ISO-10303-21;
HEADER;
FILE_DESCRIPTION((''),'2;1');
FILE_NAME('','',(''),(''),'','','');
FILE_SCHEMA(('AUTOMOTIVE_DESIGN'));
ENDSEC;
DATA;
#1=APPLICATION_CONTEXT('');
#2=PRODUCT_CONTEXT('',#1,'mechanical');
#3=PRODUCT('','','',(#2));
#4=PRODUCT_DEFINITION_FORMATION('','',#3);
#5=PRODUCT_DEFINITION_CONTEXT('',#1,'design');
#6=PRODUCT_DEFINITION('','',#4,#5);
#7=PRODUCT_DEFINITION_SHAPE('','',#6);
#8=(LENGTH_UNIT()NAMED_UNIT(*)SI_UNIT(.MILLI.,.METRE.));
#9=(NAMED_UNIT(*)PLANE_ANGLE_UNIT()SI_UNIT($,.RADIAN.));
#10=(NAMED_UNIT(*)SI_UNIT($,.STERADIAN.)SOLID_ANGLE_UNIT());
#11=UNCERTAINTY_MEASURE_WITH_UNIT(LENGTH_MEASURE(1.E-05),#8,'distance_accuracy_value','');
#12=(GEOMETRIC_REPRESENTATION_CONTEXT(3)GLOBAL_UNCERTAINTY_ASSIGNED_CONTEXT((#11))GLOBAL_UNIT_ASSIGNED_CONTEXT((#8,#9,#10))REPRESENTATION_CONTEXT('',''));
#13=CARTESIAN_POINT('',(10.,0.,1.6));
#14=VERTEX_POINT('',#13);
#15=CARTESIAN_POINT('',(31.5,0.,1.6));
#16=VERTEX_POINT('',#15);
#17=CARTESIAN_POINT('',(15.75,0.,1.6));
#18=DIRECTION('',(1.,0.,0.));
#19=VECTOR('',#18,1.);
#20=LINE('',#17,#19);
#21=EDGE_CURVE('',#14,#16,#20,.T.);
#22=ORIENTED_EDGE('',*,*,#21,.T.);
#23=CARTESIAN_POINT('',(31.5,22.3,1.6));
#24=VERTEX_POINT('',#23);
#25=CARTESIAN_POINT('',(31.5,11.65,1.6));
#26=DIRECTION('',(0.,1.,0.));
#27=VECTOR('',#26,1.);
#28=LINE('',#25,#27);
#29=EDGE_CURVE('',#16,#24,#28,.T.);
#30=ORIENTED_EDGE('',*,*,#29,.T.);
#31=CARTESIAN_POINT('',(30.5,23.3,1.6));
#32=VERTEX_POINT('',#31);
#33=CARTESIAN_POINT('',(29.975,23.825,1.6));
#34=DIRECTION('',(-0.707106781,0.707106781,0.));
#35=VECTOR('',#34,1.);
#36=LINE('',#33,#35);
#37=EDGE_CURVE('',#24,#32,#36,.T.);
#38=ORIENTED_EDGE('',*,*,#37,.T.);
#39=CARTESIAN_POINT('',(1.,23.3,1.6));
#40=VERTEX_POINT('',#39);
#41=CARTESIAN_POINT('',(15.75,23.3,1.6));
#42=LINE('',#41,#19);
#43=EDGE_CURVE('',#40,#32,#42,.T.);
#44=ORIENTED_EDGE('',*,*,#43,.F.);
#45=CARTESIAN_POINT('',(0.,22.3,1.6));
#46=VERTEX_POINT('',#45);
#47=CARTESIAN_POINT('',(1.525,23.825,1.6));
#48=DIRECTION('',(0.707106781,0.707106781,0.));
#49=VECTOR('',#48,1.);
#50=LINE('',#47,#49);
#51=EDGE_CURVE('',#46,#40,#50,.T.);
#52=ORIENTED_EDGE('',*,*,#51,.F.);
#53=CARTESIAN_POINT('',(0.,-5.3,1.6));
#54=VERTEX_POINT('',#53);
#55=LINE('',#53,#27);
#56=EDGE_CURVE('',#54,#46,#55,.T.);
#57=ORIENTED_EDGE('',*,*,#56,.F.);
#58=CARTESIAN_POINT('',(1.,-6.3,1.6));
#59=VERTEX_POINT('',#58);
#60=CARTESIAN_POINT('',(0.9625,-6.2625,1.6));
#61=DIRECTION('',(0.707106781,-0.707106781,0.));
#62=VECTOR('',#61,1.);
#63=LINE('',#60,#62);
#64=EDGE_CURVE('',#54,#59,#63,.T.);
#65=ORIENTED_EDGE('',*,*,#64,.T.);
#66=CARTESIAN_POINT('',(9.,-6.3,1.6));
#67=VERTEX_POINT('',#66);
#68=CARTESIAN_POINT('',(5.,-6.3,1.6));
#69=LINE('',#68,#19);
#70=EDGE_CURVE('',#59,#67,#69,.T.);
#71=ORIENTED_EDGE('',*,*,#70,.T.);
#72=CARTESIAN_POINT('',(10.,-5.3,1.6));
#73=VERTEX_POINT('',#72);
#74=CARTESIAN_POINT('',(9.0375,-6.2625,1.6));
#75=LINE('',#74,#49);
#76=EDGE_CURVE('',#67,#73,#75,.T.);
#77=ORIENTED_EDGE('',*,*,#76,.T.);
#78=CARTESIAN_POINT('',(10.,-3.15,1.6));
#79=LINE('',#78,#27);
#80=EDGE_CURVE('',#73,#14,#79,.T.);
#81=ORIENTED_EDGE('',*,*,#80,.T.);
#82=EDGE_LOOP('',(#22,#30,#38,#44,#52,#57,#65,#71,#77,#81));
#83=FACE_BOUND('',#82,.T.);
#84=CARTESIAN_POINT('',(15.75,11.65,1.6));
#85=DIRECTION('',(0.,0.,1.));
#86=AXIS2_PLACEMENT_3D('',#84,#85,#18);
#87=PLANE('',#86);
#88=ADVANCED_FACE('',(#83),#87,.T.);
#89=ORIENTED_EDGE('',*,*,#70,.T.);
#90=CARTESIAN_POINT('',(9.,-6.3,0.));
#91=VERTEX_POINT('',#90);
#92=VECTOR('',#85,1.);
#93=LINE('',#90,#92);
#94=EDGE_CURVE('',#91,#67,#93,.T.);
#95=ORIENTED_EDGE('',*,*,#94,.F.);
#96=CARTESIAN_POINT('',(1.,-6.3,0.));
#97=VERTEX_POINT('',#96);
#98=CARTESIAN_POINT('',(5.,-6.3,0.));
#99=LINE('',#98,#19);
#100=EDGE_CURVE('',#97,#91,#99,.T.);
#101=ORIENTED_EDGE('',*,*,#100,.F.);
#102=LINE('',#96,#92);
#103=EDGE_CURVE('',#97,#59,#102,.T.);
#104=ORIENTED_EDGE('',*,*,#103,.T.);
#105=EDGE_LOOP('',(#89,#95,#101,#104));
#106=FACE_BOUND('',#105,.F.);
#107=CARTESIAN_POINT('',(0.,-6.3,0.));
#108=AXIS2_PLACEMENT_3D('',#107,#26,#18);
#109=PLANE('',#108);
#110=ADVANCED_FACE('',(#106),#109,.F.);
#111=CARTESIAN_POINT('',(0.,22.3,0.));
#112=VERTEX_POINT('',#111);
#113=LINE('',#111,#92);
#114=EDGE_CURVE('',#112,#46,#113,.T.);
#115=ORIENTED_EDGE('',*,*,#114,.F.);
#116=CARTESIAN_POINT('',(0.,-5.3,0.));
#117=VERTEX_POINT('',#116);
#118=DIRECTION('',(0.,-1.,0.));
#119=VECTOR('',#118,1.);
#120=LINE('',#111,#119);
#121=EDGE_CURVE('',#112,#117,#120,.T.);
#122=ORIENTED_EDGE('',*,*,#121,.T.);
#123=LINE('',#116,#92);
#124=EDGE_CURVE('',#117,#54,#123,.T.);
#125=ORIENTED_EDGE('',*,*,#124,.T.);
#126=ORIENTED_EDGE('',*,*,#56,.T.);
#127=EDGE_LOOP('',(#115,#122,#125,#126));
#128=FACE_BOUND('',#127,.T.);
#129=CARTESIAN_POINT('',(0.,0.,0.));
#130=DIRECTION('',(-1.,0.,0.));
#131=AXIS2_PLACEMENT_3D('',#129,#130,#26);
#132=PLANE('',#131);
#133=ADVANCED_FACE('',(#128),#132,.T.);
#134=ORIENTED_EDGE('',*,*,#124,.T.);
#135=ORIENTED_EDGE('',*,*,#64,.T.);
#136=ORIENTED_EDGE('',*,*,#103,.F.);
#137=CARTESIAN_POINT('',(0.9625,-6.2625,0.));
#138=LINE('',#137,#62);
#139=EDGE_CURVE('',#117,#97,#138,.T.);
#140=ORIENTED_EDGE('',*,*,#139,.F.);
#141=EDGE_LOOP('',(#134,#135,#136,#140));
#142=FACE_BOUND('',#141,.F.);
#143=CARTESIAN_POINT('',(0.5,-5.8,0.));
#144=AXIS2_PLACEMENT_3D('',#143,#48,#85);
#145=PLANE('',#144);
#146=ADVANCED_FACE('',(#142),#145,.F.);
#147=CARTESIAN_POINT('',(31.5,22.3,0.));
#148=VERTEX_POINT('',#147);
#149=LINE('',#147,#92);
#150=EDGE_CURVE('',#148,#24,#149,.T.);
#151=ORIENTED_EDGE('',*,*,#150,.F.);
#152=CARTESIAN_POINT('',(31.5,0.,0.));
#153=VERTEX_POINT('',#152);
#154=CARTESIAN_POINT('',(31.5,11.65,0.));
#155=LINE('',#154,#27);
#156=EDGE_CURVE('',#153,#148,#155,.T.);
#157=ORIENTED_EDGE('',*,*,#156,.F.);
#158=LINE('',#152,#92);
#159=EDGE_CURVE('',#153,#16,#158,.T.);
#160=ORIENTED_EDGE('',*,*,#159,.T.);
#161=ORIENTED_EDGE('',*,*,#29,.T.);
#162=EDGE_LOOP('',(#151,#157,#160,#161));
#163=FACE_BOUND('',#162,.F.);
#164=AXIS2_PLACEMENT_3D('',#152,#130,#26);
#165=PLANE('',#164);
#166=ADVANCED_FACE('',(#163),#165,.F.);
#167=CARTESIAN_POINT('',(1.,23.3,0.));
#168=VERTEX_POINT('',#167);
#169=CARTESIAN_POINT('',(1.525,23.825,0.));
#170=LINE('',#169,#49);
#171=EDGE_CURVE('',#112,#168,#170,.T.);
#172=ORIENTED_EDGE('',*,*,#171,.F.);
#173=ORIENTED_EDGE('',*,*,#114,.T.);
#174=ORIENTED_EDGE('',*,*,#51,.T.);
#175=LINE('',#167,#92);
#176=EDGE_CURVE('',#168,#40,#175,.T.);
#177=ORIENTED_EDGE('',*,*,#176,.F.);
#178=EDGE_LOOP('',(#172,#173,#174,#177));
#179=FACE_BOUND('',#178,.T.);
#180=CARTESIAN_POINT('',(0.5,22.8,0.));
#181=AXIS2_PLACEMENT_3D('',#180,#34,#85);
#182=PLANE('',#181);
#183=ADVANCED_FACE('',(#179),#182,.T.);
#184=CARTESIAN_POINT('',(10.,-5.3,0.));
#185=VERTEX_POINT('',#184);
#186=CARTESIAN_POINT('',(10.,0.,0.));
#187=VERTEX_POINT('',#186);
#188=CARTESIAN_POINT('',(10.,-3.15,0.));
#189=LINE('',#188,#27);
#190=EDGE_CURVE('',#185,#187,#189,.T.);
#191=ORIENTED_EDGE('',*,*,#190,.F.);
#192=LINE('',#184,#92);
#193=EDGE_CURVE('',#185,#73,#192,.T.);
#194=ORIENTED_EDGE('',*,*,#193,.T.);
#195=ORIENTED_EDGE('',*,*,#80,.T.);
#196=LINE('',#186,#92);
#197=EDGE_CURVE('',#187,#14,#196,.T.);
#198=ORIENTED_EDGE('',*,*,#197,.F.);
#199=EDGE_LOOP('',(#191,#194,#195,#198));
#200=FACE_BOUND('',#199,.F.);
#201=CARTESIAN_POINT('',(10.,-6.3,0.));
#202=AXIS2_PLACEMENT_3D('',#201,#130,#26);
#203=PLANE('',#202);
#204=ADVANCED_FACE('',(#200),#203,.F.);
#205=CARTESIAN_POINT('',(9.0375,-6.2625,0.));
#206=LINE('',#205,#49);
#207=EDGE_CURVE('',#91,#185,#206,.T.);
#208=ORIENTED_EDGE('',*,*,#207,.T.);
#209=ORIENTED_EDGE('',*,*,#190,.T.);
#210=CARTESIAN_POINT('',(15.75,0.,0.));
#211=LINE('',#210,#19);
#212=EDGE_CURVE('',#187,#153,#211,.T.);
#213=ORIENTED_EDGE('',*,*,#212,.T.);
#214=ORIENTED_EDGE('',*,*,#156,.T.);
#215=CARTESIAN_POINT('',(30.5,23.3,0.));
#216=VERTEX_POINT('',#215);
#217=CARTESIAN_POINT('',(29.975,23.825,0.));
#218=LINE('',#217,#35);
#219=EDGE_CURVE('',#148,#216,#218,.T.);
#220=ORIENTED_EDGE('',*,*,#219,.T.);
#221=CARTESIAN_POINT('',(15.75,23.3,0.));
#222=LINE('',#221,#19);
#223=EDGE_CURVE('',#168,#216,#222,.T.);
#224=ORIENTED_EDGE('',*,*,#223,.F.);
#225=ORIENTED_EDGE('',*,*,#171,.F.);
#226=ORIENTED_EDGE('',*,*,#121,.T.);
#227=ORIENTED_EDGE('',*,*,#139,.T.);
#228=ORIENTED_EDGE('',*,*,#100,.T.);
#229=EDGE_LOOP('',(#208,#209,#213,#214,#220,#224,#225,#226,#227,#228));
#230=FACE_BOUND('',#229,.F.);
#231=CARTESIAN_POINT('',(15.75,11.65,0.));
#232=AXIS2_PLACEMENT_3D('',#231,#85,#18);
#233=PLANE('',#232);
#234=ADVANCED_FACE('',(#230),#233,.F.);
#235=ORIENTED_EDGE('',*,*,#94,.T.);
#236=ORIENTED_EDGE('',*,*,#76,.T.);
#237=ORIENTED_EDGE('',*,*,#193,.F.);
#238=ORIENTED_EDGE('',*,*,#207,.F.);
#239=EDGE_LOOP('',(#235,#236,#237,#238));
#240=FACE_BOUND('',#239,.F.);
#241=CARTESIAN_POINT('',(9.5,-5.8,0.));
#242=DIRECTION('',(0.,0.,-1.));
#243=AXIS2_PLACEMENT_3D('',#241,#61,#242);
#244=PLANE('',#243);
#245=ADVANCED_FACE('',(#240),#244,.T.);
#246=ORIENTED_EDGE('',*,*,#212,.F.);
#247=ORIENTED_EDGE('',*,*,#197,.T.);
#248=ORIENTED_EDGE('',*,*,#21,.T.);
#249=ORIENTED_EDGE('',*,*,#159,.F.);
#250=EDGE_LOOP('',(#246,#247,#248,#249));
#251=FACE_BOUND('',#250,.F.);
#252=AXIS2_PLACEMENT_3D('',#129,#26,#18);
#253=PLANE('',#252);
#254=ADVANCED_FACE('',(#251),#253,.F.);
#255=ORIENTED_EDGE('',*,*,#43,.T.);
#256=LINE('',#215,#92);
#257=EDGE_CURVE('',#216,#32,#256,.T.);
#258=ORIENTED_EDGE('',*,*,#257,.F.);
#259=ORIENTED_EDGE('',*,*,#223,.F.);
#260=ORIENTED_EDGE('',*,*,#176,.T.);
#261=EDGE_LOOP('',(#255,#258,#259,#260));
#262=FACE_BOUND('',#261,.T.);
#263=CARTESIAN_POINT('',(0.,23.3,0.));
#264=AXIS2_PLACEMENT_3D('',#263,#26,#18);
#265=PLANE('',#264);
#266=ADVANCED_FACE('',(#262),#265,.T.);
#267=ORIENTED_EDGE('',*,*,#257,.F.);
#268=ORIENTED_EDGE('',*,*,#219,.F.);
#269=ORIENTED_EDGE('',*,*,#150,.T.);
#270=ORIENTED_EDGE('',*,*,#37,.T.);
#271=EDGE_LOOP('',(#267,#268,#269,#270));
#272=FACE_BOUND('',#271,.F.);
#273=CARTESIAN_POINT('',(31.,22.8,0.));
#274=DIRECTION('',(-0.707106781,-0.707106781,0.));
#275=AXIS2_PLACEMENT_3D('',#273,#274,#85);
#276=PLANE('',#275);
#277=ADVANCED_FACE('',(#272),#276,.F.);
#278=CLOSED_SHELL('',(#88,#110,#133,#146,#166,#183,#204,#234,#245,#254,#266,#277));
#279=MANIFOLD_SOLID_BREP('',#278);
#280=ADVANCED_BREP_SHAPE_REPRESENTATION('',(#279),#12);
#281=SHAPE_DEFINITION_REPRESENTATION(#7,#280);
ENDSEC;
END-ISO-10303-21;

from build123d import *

# Parameters (mm, degrees)
BOX002_W        = 31.5
BOX002_H        = 23.3
BOX002_DEPTH    = 1.6
CHAMFER001_SIZE = 1
BOX003_W        = 10
BOX003_H        = 6.3
BOX003_DEPTH    = 1.6
CHAMFER_SIZE    = 1


with BuildPart() as chamfer001:
    # Box002 → Box002 (new body)
    with BuildSketch(Plane.XY):
        with Locations((15.75, 11.65)):
            Rectangle(BOX002_W, BOX002_H)
    extrude(amount=BOX002_DEPTH)

    # Chamfer001
    chamfer001_edges = [chamfer001.edges().sort_by_distance(p)[0] for p in [
        (0, 23.3, 0.8),
        (31.5, 23.3, 0.8),
    ]]
    chamfer(chamfer001_edges, length=CHAMFER001_SIZE)


with BuildPart() as plaqueta:
    # Box003 → Box003 (new body)
    with BuildSketch(Plane(origin=(0, -6.3, 0), x_dir=(1, 0, 0), z_dir=(0, 0, 1))):
        with Locations((5, 3.15)):
            Rectangle(BOX003_W, BOX003_H)
    extrude(amount=BOX003_DEPTH)

    # Chamfer
    chamfer_edges = [plaqueta.edges().sort_by_distance(p)[0] for p in [
        (0, -6.3, 0.8),
        (10, -6.3, 0.8),
    ]]
    chamfer(chamfer_edges, length=CHAMFER_SIZE)

    # Fusion: union Chamfer001
    add(chamfer001.part)


solid = plaqueta.part
